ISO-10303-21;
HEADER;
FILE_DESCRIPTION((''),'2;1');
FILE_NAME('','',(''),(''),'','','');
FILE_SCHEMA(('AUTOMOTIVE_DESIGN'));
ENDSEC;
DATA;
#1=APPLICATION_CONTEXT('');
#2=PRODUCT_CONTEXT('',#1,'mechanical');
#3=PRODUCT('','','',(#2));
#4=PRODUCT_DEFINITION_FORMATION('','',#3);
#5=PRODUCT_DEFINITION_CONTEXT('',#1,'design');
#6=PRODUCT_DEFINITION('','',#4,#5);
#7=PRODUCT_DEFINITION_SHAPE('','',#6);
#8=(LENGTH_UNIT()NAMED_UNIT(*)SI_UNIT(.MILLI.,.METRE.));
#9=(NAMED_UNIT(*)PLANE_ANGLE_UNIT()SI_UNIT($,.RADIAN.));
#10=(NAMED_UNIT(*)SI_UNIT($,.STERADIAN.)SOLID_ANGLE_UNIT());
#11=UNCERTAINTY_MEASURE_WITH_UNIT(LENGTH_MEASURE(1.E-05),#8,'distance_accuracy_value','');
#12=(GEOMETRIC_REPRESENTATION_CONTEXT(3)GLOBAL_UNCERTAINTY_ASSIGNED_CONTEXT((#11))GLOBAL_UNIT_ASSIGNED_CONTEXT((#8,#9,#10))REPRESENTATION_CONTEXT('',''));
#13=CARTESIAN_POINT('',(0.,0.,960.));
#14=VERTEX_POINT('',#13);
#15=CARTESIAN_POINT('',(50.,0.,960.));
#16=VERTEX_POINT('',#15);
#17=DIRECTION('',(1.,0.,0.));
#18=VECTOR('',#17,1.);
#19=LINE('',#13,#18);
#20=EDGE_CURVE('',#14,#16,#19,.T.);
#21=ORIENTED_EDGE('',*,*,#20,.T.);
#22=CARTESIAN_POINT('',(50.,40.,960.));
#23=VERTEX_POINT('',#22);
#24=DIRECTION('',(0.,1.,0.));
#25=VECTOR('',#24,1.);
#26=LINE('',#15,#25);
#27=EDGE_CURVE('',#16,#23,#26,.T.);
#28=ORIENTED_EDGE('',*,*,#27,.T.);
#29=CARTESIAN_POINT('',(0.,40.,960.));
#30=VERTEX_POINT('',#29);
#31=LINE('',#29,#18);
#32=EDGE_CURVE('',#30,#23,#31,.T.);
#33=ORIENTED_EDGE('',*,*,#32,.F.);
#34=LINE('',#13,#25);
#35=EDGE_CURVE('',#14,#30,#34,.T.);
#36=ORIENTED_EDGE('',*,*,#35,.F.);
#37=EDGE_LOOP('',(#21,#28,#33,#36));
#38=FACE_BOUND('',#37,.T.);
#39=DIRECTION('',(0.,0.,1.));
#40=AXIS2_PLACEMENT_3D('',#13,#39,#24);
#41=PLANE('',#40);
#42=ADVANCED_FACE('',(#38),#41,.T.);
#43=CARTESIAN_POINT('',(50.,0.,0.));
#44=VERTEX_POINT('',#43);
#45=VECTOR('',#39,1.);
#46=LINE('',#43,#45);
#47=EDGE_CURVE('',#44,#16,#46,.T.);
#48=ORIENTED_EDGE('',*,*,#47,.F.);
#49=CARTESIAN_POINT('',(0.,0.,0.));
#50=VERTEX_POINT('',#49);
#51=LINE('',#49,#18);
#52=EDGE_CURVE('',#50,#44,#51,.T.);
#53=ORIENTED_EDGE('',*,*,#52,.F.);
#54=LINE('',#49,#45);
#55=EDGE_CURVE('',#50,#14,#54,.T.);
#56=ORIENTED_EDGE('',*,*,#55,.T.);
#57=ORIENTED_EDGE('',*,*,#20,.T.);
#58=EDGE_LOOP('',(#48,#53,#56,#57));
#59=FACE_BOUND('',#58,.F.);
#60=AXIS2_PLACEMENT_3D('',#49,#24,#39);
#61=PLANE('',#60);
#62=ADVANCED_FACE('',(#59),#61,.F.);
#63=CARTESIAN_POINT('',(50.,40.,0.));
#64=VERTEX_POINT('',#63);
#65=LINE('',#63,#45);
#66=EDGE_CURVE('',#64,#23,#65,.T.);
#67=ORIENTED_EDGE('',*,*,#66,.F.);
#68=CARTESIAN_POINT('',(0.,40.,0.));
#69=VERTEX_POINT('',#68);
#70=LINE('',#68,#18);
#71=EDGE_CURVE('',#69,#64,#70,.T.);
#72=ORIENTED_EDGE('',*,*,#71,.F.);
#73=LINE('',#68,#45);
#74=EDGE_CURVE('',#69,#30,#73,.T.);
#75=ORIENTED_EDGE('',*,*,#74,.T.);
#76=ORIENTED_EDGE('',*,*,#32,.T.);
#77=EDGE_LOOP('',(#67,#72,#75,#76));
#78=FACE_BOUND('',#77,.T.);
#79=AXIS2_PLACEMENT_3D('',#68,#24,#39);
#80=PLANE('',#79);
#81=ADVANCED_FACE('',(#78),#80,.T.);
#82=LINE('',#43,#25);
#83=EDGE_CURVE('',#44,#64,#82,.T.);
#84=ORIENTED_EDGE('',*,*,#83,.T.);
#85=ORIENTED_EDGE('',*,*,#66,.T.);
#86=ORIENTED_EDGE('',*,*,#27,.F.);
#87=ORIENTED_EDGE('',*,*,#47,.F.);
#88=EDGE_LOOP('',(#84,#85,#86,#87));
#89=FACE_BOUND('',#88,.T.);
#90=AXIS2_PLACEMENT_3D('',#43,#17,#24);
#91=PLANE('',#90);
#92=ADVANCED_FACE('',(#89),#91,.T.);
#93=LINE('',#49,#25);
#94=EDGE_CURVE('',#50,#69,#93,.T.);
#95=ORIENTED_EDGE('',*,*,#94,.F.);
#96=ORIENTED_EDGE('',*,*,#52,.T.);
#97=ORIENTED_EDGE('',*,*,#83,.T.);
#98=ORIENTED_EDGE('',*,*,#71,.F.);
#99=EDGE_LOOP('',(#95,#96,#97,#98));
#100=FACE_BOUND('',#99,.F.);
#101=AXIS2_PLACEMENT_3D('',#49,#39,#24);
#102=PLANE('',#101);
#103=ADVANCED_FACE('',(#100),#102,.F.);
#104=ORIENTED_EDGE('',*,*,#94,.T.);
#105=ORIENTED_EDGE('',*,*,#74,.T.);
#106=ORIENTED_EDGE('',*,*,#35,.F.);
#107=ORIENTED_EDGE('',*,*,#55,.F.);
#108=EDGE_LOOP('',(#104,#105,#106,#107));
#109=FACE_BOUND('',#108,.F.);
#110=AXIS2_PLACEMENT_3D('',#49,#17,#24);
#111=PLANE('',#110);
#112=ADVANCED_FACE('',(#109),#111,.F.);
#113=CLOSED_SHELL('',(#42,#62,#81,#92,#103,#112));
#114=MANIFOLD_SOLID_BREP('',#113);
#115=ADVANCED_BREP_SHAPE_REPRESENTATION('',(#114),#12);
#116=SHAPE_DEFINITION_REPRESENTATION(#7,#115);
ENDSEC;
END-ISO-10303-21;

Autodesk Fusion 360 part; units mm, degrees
box "BoxPrimitive1" add length 960 width 50 height 40 placed x (0, 0, 1) y (1, 0, 0) z (0, 1, 0) at (0, 0, 0)
